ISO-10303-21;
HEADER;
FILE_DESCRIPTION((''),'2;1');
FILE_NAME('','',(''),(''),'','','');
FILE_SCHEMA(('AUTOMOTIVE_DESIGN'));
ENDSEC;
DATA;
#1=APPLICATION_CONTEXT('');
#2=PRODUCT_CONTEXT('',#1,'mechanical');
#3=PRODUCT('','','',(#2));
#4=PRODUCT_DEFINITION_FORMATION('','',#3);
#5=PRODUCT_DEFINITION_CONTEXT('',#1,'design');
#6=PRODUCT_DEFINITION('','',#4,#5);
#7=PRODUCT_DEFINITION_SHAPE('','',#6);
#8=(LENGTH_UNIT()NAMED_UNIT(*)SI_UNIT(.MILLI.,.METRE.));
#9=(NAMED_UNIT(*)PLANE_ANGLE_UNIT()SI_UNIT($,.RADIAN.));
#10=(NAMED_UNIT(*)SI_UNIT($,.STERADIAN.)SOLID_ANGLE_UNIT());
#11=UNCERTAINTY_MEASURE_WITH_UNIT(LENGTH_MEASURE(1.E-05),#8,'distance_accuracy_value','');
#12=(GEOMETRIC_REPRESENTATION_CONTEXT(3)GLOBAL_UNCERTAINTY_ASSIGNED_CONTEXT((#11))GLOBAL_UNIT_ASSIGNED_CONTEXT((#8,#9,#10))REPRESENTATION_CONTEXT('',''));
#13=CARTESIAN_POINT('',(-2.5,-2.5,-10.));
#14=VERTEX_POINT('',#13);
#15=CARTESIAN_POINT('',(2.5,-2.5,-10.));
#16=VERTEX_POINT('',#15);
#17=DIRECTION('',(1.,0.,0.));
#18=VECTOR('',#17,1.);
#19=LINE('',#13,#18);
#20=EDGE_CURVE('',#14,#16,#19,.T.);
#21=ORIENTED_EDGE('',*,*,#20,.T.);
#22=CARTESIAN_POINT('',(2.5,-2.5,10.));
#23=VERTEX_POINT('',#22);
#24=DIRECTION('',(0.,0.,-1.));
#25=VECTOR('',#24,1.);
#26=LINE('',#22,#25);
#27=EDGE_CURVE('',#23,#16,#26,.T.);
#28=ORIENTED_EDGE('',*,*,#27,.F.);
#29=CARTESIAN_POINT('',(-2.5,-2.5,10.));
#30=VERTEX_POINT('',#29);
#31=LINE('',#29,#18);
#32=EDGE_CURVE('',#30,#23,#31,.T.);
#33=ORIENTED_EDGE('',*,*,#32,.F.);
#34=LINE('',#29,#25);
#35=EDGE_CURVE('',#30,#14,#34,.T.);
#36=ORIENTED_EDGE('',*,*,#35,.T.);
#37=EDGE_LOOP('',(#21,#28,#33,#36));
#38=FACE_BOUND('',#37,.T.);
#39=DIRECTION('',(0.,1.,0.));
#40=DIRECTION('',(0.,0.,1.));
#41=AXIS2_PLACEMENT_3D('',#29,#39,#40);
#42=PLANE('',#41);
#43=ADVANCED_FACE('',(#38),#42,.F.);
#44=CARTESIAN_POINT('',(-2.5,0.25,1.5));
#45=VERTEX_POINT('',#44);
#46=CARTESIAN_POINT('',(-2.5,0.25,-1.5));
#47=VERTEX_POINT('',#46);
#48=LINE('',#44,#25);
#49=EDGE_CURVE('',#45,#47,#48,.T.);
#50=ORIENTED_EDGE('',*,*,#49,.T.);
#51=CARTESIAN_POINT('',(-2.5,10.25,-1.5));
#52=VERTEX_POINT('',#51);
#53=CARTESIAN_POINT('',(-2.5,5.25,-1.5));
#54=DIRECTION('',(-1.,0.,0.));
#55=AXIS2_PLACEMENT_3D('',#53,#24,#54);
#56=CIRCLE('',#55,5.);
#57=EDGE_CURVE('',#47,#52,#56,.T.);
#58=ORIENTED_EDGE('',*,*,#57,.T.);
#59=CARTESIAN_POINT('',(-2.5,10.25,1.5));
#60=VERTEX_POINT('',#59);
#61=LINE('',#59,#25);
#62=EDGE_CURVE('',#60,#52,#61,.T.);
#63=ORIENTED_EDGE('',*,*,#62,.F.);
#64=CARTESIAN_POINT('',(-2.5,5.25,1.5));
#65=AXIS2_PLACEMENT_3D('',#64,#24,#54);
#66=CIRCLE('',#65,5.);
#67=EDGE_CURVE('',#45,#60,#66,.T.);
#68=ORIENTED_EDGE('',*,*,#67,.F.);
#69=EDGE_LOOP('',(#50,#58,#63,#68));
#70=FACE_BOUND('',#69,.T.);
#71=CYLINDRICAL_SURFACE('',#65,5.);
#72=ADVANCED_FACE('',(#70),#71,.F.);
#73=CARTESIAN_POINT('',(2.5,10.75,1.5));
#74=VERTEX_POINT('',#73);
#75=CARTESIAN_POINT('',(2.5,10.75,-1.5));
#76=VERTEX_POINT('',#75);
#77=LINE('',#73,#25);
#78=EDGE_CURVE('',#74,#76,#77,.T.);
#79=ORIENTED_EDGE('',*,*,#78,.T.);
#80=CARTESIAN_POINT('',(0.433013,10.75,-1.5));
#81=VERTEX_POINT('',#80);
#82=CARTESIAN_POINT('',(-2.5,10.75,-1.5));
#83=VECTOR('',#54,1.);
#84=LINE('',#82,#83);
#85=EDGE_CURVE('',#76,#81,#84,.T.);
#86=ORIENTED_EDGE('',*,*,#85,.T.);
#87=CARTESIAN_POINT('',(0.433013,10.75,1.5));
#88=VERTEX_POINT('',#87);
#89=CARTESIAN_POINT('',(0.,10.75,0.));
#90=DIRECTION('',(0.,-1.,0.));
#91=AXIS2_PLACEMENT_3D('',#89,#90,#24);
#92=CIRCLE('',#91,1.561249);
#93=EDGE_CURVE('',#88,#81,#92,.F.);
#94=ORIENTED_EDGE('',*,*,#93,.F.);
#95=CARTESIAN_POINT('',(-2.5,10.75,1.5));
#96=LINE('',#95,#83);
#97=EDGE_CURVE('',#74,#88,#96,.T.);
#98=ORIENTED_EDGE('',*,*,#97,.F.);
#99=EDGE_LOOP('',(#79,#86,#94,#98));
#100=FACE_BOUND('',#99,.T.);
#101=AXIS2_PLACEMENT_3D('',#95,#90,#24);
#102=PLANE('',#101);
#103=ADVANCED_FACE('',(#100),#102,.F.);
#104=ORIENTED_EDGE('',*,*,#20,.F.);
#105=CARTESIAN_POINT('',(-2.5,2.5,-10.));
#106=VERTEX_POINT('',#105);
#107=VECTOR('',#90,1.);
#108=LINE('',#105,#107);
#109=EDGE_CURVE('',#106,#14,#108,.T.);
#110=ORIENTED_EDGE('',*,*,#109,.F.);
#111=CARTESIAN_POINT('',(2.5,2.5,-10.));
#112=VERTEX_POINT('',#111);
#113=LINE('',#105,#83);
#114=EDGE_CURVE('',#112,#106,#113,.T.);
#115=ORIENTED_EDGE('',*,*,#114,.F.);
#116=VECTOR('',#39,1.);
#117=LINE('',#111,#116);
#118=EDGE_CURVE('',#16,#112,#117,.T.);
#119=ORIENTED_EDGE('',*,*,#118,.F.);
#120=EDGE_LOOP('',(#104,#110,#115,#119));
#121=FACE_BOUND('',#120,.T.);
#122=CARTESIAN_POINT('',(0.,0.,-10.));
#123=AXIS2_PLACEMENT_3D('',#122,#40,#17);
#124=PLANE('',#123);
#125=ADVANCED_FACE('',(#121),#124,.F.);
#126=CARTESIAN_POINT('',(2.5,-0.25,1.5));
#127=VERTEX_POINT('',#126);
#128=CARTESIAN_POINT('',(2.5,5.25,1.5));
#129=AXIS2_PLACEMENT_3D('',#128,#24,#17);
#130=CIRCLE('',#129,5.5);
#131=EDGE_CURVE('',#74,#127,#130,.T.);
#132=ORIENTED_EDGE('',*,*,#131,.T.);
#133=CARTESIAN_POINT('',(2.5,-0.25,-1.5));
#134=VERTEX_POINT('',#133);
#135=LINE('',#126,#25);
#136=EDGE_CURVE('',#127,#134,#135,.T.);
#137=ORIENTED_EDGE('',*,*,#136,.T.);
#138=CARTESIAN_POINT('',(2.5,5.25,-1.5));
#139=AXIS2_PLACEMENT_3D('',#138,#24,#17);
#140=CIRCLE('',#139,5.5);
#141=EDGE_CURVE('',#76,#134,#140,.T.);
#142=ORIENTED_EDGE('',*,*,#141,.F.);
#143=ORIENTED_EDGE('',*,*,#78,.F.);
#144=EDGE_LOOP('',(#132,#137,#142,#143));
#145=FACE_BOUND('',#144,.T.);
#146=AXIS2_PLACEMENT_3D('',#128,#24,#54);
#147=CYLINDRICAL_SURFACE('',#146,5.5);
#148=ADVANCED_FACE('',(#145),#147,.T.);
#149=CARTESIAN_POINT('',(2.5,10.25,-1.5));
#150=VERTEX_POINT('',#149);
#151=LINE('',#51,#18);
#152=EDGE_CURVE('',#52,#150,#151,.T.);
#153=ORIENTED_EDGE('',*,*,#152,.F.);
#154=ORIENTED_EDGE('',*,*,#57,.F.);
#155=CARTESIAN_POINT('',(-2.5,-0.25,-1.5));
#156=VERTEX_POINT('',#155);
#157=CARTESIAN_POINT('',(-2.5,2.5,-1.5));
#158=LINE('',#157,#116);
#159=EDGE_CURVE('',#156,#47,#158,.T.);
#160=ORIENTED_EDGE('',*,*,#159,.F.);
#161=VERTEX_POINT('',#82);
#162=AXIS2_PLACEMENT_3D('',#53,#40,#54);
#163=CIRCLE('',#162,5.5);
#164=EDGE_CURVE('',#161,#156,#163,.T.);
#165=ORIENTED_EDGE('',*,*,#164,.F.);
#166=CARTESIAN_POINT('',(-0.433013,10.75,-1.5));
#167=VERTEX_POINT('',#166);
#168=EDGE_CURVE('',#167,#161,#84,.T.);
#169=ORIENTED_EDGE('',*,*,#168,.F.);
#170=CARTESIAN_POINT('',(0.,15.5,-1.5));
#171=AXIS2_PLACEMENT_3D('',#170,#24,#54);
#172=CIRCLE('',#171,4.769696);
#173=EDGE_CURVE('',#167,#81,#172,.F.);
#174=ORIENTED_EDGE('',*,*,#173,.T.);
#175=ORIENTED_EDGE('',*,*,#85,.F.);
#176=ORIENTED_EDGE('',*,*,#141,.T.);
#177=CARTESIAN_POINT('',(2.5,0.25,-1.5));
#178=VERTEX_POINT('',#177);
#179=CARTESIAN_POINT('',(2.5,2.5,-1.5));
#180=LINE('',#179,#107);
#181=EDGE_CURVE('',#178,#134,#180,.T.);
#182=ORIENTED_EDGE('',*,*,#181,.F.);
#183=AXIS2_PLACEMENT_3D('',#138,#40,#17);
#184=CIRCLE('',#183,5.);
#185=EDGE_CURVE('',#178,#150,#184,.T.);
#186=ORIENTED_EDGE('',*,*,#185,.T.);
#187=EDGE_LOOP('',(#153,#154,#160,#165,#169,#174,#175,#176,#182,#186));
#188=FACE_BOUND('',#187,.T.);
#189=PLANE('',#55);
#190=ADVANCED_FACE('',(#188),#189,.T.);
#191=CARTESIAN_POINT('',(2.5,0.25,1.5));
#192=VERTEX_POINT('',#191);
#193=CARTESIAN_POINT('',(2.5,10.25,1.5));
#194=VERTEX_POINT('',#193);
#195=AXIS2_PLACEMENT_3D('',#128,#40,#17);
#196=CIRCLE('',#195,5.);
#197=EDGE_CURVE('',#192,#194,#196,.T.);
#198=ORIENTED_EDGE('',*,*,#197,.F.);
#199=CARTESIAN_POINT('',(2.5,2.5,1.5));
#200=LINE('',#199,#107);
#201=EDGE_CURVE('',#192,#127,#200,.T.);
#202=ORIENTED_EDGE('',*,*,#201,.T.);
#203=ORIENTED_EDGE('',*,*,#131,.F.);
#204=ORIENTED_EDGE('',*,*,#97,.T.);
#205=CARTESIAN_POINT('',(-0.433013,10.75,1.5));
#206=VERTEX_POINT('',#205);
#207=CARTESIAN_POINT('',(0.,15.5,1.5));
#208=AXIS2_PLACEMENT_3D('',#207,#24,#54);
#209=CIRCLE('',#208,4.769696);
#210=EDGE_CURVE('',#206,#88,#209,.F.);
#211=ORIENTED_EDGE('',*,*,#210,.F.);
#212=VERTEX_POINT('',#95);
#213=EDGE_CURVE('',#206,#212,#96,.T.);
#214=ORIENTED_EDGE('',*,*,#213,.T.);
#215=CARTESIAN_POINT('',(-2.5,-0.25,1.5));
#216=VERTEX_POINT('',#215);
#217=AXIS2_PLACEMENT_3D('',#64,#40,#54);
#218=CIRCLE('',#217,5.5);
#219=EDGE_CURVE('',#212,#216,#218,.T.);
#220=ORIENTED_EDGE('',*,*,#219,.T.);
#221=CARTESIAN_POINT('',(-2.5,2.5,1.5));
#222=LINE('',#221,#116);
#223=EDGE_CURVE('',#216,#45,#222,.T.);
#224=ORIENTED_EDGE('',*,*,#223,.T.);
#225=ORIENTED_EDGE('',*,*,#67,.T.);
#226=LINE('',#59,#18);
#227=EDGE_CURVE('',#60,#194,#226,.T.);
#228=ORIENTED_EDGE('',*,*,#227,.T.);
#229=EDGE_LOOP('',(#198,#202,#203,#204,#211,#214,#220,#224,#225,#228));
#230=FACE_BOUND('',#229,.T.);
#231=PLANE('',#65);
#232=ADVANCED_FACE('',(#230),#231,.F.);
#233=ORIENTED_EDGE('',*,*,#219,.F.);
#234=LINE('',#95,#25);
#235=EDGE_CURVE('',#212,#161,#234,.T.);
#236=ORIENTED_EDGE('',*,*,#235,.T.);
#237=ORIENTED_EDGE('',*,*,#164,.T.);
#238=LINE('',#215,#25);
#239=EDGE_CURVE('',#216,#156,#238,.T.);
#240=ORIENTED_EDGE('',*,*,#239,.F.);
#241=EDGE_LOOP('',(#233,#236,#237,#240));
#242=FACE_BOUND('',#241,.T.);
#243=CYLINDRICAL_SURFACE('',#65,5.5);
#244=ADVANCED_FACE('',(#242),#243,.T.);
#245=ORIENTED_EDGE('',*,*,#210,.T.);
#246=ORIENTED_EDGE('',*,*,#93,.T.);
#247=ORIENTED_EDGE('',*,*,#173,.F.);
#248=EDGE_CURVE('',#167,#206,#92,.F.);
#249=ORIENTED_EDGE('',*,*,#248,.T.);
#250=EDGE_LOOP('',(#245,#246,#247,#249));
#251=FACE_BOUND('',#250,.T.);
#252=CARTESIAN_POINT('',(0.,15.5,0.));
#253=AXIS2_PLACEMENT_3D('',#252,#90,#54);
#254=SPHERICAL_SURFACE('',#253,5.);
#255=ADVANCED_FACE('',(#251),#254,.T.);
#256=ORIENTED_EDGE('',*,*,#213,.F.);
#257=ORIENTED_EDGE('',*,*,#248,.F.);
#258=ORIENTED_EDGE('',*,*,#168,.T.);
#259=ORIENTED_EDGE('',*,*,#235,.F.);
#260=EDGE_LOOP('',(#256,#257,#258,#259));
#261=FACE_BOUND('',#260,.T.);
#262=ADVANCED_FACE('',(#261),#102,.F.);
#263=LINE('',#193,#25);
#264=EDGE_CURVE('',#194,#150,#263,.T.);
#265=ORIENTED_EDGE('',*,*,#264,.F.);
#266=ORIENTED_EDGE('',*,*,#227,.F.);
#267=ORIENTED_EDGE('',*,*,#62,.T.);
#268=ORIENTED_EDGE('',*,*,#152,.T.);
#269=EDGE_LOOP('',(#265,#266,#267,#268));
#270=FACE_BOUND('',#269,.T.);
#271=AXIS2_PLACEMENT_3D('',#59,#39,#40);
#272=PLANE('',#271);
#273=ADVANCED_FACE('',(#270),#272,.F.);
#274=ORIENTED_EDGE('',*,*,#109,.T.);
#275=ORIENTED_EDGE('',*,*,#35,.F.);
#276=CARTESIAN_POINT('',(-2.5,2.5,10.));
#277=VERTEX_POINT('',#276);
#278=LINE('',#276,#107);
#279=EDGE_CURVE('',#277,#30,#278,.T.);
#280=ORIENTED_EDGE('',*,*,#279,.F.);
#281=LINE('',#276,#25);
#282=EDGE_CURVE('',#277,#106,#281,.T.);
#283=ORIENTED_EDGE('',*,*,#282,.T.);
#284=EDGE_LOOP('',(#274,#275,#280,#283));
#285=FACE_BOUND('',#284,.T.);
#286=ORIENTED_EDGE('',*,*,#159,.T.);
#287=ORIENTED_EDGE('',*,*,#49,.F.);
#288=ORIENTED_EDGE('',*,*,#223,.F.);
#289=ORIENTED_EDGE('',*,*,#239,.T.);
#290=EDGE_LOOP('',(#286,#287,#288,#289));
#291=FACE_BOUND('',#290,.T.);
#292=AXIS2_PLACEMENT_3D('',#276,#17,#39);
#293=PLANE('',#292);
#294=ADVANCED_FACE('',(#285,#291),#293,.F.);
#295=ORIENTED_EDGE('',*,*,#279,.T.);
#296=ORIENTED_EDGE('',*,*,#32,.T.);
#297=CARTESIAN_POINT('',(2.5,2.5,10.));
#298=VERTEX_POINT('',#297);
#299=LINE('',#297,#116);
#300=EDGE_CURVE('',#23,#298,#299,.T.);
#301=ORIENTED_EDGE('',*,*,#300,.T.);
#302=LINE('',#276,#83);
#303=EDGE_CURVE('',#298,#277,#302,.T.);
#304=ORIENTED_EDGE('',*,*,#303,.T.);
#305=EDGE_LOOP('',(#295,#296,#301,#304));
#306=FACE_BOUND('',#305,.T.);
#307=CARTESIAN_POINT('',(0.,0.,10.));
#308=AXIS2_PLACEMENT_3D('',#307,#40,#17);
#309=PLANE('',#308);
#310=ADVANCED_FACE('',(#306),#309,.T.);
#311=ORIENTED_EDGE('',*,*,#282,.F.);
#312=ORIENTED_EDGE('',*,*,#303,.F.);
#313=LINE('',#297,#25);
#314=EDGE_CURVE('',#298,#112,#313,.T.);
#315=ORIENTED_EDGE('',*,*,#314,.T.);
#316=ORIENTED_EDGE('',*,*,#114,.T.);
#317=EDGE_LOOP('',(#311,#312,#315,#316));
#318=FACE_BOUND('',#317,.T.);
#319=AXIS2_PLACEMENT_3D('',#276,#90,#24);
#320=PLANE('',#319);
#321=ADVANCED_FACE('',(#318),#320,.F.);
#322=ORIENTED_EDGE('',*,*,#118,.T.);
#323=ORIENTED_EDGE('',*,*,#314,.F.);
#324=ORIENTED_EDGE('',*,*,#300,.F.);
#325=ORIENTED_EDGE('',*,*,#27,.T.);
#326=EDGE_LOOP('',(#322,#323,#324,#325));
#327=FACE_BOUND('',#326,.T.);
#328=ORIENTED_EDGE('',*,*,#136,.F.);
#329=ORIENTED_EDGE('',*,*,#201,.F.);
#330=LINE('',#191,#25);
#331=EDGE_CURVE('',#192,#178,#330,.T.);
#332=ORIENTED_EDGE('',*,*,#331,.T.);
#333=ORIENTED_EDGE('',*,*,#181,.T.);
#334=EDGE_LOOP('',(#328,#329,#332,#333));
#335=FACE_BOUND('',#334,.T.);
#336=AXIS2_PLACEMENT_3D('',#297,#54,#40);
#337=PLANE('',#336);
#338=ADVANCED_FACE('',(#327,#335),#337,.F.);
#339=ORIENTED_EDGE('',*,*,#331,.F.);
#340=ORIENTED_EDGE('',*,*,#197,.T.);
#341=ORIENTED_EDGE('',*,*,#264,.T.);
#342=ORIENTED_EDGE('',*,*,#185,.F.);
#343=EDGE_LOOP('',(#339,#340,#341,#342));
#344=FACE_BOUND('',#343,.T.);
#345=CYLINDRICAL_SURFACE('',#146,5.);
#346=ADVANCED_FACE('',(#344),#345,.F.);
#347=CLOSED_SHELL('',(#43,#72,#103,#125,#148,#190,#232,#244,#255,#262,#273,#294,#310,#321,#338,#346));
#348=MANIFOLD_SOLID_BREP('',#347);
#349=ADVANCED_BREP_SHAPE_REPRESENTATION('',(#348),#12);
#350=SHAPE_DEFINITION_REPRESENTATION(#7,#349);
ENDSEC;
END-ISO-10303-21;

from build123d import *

# Parameters (mm, degrees)
SKETCH1_W           = 5
SKETCH1_H           = 5
BOSS_EXTRUDE1_DEPTH = 10
BOSS_EXTRUDE2_DEPTH = 1.5


with BuildPart() as part:
    # Sketch1 → Boss-Extrude1 (new, symmetric)
    with BuildSketch(Plane.XY):
        Rectangle(SKETCH1_W, SKETCH1_H)
    extrude(amount=BOSS_EXTRUDE1_DEPTH, both=True)

    # Sketch2 → Boss-Extrude2 (add, symmetric)
    with BuildSketch(Plane.XY):
        with BuildLine():
            Line((0, 0.25), (-2.5, 0.25))
            ThreePointArc((-2.5, 0.25), (-7.5, 5.25), (-2.5, 10.25))
            Line((-2.5, 10.25), (0, 10.25))
            Line((0, 10.25), (0, 10.75))
            Line((0, 10.75), (-2.5, 10.75))
            ThreePointArc((-2.5, 10.75), (-8, 5.25), (-2.5, -0.25))
            Line((-2.5, -0.25), (0, -0.25))
            Line((0, -0.25), (0, 0.25))
        make_face()
    boss_extrude2 = extrude(amount=BOSS_EXTRUDE2_DEPTH, both=True)

    # Mirror1: Boss-Extrude2 across plane
    add(boss_extrude2.mirror(Plane(origin=(0, 0, 0), x_dir=(0, 0, 1), z_dir=(1, 0, 0))))

    # Sketch3 → Revolve3 (revolve)
    with BuildSketch(Plane.XY):
        with BuildLine():
            Line((0, 10.5), (0, 20.5))
            ThreePointArc((0, 20.5), (-5, 15.5), (0, 10.5))
        make_face()
    revolve(axis=Axis((0, 0, 0), (0, 1, 0)))


solid = part.part
